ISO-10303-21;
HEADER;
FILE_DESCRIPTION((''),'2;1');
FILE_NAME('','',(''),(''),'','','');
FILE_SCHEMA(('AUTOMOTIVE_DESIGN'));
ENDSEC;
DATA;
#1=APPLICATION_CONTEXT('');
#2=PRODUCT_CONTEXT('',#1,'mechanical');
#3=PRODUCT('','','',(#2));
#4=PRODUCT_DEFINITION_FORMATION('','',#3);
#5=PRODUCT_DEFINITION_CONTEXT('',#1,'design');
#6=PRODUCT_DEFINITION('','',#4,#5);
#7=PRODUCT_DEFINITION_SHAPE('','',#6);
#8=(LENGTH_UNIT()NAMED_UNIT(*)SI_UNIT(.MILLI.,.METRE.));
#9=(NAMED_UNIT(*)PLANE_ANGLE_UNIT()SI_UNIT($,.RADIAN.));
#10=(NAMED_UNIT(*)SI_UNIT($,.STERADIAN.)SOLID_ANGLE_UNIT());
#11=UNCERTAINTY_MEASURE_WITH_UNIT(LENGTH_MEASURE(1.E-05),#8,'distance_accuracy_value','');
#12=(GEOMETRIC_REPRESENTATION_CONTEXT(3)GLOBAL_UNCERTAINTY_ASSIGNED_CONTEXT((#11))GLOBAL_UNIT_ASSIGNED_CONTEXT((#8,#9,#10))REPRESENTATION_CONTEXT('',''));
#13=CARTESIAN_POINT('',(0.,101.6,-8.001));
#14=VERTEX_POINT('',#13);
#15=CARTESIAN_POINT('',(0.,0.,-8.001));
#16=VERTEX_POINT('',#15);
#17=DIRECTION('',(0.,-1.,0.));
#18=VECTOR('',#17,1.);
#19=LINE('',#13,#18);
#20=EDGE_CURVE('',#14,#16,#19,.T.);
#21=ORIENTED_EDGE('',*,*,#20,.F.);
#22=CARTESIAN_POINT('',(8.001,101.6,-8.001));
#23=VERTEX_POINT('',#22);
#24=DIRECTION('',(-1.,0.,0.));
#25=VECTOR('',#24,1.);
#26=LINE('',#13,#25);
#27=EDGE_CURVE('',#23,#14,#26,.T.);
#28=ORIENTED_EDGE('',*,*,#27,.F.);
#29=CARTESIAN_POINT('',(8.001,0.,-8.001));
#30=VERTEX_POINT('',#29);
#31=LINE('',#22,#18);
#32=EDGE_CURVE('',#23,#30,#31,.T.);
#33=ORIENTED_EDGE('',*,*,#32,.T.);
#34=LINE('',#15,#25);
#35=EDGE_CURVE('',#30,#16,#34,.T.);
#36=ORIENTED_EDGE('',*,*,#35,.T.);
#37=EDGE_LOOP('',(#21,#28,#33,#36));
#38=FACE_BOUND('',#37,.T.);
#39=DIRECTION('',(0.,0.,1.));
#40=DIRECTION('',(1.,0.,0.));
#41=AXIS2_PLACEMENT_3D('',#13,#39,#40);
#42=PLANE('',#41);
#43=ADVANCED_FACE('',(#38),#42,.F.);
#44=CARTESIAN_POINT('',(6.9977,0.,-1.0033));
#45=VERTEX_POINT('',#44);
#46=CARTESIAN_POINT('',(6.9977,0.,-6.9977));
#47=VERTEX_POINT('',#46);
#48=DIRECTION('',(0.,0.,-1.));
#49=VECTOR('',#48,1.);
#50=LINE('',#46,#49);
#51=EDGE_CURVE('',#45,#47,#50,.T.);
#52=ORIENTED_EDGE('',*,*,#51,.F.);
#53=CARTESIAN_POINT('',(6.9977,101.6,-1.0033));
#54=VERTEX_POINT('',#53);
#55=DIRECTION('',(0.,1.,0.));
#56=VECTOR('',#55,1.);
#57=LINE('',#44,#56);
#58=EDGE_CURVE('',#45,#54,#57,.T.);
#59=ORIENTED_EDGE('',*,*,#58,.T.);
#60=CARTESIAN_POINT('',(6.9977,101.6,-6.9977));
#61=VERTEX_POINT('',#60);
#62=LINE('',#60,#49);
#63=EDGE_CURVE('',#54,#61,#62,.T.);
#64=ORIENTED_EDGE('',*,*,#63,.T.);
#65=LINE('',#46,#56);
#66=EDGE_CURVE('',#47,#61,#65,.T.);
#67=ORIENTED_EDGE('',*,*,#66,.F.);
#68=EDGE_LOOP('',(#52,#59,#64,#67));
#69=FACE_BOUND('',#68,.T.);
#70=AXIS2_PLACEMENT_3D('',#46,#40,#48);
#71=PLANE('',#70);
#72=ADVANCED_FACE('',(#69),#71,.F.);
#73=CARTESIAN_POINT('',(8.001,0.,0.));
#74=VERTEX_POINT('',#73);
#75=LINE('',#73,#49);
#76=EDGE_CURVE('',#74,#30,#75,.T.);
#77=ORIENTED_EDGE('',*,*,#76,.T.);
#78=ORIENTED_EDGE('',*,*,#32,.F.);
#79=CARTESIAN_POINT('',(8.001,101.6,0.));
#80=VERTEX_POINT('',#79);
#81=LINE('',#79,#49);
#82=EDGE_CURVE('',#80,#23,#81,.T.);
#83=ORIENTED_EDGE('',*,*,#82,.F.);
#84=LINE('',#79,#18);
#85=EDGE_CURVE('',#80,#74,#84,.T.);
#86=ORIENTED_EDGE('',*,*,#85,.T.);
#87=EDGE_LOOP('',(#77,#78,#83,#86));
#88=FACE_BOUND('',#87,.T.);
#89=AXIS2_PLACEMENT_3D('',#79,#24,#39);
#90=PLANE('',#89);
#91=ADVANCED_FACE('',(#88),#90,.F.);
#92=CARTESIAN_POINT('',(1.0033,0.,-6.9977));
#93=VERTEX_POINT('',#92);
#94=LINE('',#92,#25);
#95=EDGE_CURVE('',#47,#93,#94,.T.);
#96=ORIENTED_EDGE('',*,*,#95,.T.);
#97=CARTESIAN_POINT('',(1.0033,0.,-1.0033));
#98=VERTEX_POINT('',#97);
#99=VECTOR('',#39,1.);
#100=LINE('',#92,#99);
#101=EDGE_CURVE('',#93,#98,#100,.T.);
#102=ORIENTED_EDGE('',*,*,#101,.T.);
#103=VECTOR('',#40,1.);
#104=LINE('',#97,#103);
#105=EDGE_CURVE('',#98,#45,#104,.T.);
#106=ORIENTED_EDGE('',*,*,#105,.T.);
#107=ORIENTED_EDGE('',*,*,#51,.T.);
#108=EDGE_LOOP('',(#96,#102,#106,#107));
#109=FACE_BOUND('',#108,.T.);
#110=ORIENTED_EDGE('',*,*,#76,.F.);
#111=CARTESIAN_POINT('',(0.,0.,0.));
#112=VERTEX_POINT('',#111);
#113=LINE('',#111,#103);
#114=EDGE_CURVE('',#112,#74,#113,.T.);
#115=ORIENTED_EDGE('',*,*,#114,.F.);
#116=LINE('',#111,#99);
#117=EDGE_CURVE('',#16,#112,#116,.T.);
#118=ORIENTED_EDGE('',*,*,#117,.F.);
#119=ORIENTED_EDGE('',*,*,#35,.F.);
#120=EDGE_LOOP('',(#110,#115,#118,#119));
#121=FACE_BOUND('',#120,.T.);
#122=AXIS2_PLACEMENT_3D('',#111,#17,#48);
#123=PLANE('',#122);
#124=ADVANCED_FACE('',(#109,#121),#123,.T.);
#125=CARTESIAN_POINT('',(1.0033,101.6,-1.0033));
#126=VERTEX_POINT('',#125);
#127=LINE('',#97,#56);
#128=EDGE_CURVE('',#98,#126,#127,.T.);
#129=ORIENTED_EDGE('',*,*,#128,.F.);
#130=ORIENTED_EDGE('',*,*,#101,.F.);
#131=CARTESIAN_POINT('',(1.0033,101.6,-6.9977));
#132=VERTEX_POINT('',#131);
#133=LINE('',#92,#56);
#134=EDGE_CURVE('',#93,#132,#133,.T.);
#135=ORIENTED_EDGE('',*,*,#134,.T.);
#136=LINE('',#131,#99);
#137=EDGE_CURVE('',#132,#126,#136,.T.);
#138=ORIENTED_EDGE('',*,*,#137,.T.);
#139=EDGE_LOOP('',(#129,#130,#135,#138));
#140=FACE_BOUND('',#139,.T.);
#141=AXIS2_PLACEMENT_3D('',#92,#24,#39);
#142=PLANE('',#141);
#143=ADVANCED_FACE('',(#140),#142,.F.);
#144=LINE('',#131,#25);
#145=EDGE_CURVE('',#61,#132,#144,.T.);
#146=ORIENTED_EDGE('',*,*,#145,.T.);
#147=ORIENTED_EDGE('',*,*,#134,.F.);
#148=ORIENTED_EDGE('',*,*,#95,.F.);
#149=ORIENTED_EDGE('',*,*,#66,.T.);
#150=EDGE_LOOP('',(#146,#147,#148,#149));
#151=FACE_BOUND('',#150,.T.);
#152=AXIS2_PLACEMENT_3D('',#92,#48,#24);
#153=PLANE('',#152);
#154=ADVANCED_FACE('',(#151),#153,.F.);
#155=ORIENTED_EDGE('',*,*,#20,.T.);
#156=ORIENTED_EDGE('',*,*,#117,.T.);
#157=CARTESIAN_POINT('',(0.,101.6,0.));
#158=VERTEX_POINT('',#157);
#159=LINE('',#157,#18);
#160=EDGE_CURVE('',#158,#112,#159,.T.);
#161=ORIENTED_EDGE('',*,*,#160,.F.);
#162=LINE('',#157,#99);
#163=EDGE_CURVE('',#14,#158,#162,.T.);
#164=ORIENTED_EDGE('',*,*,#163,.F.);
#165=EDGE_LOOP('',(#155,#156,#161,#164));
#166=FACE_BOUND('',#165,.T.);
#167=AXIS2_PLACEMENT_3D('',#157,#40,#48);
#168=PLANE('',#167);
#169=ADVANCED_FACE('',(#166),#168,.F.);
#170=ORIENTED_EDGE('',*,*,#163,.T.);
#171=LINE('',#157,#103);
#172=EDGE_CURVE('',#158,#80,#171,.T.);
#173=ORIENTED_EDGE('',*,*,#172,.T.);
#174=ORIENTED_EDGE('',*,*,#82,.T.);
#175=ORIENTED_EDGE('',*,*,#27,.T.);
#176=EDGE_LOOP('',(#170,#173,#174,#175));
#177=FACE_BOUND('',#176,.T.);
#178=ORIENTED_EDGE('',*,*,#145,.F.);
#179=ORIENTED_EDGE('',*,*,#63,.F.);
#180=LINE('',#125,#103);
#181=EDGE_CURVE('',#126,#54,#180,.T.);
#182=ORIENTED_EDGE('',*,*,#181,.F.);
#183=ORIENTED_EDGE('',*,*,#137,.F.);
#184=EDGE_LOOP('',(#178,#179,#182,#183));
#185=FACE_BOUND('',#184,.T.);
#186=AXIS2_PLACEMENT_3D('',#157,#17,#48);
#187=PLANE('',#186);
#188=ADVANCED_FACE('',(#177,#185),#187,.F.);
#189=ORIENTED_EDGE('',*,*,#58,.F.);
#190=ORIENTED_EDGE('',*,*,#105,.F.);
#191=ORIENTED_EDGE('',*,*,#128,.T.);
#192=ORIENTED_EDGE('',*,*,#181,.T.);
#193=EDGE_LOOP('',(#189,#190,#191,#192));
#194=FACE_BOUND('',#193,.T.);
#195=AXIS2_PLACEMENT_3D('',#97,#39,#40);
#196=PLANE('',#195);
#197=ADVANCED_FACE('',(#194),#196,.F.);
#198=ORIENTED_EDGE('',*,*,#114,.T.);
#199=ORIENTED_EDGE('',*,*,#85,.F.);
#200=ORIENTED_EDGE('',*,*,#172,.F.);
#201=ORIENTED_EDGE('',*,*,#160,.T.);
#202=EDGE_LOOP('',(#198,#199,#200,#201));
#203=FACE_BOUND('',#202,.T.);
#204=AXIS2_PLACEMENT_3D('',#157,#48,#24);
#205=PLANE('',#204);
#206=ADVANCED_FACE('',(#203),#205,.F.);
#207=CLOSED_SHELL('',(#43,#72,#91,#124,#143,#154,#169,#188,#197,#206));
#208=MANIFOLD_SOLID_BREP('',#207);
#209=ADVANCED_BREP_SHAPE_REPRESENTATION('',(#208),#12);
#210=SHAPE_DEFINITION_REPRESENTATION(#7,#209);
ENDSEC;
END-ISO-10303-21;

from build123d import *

# Parameters (mm, degrees)
SKETCH1_W           = 8.001
SKETCH1_H           = 8.001
BOSS_EXTRUDE1_DEPTH = 101.6
SKETCH2_W           = 5.9944
SKETCH2_H           = 5.9944
CUT_EXTRUDE1_DEPTH  = 103.228137037


with BuildPart() as part:
    # Sketch1 → Boss-Extrude1 (new body)
    with BuildSketch(Plane(origin=(0, 0, 0), x_dir=(1, 0, 0), z_dir=(0, 1, 0))):
        with Locations((4.0005, 4.0005)):
            Rectangle(SKETCH1_W, SKETCH1_H)
    extrude(amount=BOSS_EXTRUDE1_DEPTH)

    # Sketch2 → Cut-Extrude1 (cut, through all)
    with BuildSketch(Plane(origin=(0, 101.6, 0), x_dir=(1, 0, 0), z_dir=(0, 1, 0))):
        with Locations((4.0005, 4.0005)):
            Rectangle(SKETCH2_W, SKETCH2_H)
    extrude(amount=-CUT_EXTRUDE1_DEPTH, mode=Mode.SUBTRACT)


solid = part.part
